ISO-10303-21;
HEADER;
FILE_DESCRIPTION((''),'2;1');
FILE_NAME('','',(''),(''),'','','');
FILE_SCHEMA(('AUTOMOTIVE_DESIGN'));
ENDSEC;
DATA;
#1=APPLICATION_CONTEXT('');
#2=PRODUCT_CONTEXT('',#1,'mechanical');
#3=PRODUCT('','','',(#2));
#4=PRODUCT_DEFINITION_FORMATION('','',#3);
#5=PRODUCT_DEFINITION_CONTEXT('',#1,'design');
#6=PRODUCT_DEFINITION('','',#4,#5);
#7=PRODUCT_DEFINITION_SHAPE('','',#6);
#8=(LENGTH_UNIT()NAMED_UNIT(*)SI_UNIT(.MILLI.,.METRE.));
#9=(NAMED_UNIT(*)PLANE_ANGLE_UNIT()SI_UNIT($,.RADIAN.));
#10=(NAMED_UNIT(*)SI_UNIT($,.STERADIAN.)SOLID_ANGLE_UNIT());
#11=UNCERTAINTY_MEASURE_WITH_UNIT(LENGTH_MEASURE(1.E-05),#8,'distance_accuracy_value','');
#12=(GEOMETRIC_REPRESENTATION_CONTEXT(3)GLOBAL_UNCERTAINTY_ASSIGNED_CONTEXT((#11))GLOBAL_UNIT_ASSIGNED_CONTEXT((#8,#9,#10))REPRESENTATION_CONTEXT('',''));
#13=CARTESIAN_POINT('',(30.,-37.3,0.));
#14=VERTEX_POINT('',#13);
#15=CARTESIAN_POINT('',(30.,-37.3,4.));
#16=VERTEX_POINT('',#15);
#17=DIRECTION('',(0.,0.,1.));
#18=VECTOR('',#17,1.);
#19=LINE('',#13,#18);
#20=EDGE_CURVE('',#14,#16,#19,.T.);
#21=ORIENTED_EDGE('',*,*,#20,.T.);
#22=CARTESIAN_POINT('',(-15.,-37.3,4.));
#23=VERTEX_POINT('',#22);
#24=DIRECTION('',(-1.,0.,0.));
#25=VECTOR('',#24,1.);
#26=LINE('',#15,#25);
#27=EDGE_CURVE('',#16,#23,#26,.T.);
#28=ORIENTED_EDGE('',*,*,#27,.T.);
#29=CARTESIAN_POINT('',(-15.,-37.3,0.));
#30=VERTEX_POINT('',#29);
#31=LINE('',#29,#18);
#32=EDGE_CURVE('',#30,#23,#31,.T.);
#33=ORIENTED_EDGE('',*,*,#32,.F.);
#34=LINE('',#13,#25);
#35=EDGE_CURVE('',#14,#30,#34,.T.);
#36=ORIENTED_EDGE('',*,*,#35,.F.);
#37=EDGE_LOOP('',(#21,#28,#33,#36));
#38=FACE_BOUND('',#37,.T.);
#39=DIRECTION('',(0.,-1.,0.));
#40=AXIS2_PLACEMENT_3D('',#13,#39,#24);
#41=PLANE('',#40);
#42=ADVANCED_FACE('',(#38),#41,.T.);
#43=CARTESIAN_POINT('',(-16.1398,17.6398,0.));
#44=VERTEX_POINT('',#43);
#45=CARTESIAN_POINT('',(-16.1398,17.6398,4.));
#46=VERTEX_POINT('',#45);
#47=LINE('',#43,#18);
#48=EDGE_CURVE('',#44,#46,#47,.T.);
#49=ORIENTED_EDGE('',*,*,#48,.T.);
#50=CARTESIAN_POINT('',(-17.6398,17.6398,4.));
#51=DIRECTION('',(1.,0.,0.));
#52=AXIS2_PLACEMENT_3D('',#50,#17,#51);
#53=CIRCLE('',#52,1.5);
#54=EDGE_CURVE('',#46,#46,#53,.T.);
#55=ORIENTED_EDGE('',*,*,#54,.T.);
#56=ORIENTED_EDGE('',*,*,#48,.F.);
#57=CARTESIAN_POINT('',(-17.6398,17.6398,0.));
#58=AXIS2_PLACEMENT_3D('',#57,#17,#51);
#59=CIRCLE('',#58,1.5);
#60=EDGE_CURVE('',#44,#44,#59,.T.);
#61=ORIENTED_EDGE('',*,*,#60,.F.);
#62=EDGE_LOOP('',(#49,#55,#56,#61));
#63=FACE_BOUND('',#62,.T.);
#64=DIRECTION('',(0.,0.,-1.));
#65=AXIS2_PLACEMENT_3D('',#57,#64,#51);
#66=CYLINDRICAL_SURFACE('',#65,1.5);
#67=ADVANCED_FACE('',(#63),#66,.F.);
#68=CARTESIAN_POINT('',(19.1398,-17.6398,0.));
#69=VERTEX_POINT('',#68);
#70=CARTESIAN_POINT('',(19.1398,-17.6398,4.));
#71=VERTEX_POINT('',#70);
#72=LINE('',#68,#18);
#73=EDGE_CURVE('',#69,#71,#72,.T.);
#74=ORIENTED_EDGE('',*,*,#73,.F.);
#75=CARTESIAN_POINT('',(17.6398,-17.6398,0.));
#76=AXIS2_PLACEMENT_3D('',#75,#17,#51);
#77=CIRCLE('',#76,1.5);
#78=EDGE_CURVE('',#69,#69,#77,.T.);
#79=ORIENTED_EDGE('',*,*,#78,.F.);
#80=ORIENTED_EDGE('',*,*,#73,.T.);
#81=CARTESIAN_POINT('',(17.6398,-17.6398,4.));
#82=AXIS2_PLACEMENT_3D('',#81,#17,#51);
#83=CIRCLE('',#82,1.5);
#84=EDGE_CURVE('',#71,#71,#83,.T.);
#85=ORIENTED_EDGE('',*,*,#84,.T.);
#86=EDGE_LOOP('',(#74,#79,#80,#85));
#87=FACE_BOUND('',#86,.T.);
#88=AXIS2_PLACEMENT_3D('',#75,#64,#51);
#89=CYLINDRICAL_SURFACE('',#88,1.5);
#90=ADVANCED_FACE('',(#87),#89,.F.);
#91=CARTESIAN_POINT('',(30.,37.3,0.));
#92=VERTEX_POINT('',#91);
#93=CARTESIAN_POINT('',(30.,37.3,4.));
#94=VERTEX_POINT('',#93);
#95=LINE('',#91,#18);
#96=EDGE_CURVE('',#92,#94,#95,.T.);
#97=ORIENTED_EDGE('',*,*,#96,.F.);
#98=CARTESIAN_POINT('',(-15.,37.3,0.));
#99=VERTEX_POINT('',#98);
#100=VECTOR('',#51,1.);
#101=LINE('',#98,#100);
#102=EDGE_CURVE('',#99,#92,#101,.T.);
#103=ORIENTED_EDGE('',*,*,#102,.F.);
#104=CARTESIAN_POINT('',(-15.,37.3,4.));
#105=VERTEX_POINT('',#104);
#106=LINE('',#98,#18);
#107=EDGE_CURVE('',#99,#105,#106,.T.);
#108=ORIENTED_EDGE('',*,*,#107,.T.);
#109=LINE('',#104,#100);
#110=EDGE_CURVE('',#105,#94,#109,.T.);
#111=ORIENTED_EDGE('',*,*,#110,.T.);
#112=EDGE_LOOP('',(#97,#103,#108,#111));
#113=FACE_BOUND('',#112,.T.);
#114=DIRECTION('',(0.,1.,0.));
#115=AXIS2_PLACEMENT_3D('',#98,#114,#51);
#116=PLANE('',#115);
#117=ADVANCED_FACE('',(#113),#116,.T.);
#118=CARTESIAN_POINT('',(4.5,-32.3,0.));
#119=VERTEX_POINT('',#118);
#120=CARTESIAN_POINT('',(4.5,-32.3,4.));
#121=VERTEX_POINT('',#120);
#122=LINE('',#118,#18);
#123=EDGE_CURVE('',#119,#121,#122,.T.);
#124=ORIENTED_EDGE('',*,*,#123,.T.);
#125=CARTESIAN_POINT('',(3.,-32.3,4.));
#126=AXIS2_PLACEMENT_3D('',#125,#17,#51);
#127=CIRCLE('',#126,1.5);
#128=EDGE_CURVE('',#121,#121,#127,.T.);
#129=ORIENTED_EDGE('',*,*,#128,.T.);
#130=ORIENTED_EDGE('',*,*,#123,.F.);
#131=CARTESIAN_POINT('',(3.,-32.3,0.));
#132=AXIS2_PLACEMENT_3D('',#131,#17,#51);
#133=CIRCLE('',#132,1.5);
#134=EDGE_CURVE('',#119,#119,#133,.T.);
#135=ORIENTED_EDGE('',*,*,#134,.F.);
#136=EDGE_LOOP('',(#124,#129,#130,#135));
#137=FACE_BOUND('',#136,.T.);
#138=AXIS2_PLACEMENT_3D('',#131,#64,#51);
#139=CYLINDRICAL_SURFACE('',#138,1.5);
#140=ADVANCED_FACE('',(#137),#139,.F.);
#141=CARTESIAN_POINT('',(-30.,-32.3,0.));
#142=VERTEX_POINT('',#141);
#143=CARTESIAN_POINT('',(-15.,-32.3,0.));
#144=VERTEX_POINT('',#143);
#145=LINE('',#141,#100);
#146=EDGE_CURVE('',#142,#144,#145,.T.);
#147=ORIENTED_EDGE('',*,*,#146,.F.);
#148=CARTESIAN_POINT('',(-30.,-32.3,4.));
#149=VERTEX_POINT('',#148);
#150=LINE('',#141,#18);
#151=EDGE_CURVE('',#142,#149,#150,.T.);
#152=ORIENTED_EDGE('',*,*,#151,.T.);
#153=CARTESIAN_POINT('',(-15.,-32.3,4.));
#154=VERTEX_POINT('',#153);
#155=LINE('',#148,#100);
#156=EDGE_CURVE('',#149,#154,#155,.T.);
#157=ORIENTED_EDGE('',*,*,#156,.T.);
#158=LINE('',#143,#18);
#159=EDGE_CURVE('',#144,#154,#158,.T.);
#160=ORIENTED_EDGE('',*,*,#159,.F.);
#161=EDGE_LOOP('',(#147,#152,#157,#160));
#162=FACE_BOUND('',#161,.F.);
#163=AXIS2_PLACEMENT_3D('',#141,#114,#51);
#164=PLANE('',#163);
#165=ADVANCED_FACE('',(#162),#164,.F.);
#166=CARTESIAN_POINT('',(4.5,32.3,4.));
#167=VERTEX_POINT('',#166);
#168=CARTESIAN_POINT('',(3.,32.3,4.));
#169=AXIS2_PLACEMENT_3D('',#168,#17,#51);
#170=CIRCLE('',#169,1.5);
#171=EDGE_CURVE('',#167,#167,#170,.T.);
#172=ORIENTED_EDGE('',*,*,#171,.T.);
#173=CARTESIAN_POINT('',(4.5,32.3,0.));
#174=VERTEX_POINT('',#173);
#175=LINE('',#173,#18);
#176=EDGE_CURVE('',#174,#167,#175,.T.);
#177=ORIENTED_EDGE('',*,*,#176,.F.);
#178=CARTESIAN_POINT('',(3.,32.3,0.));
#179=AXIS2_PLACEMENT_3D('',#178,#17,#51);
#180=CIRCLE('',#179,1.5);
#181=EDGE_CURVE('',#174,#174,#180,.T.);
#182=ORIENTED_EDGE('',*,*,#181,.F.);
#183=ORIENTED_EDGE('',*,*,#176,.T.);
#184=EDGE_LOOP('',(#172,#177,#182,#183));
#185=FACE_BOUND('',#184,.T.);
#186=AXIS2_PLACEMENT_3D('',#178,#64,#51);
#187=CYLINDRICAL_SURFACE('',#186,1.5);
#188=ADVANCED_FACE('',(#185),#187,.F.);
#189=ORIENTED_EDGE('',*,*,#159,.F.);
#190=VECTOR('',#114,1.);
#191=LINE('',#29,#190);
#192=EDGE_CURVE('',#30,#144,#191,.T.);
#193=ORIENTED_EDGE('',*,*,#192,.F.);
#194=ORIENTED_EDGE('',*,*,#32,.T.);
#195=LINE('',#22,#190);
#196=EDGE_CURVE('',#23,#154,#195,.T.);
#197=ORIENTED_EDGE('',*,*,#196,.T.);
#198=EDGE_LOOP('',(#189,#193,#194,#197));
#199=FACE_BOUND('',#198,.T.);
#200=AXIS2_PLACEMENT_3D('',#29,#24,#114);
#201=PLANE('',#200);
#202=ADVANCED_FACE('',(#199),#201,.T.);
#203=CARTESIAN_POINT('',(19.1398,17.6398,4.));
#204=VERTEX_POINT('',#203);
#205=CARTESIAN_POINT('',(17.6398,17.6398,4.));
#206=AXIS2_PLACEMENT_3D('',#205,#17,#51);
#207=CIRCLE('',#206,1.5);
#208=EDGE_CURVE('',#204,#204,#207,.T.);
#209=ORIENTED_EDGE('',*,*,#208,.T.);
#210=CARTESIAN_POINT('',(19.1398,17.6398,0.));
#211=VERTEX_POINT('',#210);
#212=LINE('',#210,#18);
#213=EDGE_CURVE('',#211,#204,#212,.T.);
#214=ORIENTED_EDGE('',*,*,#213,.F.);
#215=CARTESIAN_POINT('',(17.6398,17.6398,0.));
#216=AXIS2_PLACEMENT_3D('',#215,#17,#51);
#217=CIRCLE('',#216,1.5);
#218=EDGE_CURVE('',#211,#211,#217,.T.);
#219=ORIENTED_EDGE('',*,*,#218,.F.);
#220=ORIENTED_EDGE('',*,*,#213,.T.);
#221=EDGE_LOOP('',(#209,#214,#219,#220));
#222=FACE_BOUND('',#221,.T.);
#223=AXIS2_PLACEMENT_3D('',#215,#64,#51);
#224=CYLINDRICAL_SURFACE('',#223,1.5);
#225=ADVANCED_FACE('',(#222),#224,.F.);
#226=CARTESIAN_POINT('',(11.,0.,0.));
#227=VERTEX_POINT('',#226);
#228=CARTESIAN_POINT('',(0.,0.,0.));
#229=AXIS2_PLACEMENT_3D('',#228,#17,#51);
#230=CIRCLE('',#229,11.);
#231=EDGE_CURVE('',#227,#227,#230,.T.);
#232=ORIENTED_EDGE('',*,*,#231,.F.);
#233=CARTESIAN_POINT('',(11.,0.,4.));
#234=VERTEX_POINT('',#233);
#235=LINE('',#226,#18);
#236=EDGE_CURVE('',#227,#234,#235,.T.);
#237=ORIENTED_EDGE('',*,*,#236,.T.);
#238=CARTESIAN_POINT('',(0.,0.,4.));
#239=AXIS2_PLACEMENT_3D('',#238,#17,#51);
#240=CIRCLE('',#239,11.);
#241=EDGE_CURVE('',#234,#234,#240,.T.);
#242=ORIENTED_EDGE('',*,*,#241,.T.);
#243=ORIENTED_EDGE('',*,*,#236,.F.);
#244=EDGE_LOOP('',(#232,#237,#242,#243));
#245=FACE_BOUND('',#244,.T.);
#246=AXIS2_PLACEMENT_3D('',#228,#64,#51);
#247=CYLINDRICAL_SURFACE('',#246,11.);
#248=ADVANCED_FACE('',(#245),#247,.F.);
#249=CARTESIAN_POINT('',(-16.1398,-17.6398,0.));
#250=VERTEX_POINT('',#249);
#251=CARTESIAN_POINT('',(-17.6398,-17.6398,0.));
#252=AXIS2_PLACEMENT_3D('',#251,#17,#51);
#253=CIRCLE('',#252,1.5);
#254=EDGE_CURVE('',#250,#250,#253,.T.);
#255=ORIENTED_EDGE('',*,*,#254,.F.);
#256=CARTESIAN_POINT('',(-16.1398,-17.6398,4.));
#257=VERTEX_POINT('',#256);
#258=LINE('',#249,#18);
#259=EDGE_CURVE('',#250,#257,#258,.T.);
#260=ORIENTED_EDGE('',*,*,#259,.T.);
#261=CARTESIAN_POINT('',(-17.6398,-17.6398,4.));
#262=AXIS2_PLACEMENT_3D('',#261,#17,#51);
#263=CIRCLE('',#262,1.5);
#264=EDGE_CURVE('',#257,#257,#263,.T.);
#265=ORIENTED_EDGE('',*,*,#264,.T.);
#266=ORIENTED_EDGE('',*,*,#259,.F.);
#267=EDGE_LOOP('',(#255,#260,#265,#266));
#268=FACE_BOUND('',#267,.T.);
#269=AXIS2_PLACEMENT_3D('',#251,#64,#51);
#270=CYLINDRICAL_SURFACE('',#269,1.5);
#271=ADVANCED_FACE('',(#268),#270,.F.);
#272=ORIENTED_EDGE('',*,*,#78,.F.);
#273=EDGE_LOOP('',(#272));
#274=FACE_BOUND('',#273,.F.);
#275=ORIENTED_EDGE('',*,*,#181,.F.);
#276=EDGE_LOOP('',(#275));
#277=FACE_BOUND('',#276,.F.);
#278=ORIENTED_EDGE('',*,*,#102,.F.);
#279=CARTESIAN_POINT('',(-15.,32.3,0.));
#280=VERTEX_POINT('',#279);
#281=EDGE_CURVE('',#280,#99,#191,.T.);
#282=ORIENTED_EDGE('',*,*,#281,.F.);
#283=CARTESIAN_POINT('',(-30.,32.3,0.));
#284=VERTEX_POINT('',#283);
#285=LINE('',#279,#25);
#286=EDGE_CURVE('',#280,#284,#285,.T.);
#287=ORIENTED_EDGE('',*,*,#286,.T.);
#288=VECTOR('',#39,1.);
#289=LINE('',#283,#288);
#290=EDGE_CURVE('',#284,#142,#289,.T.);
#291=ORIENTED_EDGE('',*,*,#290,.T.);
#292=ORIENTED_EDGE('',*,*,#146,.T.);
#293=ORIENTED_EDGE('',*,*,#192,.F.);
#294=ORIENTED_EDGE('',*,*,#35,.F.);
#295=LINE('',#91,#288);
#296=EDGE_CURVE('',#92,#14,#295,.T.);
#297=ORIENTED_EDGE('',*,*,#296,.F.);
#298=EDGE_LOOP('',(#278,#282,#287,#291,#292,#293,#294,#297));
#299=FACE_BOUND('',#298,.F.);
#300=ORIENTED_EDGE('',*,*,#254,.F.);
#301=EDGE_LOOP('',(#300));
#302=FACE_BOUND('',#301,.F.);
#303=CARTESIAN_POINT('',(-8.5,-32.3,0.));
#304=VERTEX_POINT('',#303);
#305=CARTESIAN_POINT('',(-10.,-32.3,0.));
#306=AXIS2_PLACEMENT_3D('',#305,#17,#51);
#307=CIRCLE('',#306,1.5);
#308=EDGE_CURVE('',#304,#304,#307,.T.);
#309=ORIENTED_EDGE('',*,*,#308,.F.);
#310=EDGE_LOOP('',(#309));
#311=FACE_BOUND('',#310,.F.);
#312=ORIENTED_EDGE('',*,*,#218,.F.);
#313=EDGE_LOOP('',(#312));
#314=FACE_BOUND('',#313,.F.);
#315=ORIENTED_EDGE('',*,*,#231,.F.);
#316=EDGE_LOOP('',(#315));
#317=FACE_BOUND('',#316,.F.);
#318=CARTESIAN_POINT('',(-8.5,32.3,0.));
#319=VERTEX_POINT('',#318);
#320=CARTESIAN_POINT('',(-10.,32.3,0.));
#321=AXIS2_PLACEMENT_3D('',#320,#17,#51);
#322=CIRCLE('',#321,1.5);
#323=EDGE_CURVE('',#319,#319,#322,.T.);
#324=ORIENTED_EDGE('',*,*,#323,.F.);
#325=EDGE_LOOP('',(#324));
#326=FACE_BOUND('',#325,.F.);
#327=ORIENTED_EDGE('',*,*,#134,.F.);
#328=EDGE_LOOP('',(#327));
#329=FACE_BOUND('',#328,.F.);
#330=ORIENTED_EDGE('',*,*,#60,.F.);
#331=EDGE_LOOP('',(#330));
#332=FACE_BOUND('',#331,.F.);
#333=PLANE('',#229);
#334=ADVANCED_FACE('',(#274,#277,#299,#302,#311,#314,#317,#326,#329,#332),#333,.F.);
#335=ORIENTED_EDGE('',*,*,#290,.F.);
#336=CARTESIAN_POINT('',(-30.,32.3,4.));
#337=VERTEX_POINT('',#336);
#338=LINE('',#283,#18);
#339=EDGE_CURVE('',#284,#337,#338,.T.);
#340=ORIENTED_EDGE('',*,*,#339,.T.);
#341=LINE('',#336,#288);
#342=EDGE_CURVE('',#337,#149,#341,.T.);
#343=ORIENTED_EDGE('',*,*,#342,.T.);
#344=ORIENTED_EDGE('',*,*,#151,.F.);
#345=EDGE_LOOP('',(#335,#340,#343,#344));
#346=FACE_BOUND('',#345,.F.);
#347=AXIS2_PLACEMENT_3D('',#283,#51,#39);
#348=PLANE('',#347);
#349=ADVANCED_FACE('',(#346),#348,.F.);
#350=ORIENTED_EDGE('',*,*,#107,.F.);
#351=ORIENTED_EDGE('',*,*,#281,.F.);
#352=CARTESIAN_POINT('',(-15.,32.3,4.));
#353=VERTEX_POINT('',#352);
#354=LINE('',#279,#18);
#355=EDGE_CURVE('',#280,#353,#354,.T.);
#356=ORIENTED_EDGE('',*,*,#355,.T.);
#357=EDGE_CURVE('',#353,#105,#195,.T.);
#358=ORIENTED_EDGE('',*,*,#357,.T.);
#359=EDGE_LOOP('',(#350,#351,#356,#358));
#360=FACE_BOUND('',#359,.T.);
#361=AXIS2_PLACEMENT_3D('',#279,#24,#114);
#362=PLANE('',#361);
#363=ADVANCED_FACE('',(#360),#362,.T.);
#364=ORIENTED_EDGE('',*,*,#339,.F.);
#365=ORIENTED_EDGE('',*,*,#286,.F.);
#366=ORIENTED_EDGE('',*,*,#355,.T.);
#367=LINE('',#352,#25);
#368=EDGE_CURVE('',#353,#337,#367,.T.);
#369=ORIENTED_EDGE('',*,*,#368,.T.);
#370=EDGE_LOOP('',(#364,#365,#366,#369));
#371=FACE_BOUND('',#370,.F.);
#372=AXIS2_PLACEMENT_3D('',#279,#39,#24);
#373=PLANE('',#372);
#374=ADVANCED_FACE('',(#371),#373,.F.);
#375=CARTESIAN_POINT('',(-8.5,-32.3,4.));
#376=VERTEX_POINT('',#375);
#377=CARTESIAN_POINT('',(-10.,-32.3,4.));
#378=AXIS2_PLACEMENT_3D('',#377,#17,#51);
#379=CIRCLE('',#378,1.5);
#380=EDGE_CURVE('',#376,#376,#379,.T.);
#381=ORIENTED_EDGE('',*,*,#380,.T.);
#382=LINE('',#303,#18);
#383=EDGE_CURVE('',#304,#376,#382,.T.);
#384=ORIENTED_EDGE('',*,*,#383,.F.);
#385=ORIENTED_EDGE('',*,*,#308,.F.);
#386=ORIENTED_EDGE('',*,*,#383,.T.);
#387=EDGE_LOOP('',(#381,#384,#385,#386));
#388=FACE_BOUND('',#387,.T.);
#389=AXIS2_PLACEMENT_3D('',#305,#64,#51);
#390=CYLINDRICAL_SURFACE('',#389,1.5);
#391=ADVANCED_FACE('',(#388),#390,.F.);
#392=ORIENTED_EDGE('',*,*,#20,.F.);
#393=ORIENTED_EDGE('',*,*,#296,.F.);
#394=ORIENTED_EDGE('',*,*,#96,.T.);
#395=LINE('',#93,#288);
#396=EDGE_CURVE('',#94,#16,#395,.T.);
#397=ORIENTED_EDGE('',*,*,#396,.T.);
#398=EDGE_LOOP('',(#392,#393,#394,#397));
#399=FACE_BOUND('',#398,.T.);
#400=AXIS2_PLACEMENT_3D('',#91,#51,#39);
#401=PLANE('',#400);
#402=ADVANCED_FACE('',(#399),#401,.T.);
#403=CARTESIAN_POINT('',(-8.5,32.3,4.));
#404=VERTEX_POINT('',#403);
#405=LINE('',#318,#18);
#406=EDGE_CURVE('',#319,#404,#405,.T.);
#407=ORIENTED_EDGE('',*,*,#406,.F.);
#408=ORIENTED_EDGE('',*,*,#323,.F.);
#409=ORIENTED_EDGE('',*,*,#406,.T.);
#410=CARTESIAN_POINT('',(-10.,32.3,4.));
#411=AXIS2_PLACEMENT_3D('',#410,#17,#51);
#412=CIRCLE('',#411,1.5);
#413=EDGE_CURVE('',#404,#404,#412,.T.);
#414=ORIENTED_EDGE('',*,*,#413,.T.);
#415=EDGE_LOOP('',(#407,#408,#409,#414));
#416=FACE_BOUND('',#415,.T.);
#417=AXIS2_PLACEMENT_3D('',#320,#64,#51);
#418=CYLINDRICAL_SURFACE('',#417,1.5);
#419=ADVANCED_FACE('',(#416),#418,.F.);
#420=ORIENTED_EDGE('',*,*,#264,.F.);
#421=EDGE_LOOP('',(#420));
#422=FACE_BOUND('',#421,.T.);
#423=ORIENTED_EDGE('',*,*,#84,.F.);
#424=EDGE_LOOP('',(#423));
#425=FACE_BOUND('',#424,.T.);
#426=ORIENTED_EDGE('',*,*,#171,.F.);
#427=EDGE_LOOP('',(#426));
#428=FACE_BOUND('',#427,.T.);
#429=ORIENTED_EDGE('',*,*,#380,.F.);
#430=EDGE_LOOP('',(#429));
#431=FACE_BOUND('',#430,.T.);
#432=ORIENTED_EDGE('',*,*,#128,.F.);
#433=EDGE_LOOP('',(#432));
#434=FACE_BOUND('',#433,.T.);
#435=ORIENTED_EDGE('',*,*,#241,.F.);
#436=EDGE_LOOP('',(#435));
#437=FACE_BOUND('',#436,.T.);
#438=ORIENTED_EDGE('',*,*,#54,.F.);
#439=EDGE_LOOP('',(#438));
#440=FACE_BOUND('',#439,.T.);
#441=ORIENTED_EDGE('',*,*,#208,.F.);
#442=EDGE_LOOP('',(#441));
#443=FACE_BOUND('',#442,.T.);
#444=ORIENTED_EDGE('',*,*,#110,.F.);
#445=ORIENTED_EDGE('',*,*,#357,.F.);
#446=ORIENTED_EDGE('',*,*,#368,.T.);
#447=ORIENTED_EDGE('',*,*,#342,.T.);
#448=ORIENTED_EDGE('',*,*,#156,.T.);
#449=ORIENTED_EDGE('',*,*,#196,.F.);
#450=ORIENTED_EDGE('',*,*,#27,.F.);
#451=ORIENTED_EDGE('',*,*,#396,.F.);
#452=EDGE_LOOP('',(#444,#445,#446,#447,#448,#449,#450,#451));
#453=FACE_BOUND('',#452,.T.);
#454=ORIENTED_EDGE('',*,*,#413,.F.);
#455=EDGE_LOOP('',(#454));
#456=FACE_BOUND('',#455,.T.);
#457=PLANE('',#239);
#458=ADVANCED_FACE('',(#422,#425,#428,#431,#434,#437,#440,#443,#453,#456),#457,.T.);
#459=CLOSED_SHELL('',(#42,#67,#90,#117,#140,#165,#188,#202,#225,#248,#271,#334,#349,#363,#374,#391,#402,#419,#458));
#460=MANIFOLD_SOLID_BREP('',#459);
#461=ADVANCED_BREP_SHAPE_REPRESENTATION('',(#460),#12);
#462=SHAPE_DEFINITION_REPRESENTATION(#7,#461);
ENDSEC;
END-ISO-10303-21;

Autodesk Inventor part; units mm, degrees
ref_plane "YZ Plane" through (0, 0, 0) normal (1, 0, 0) x (0, 1, 0)
ref_plane "XZ Plane" through (0, 0, 0) normal (0, 1, 0) x (-1, 0, 0)
ref_plane "XY Plane" through (0, 0, 0) normal (0, 0, 1) x (1, 0, 0)
sketch "Sketch1" plane through (0, 0, 0) normal (0, 0, 1) x (1, 0, 0)
  circle A0 centre (0, 0) radius 11
  line L0 (-15, 37.3) -> (30, 37.3)
  line L1 (30, 37.3) -> (30, -37.3)
  line L2 (30, -37.3) -> (-15, -37.3)
  line L3 (-15, -37.3) -> (-15, 37.3)
  line L4 (-15, 32.3) -> (-30, 32.3)
  line L5 (-30, 32.3) -> (-30, -32.3)
  line L6 (-30, -32.3) -> (-15, -32.3)
  line L7 (-15, -32.3) -> (-15, 32.3)
  circle A1 centre (-10, 32.3) radius 1.5
  circle A2 centre (3, 32.3) radius 1.5
  circle A3 centre (-10, -32.3) radius 1.5
  circle A4 centre (3, -32.3) radius 1.5
  circle A5 centre (-17.6398, 17.6398) radius 1.5
  line L8 (0, 0) -> (-17.6398, 17.6398) construction
  line L9 (0, 0) -> (-30, 0) construction
  circle A6 centre (-17.6398, -17.6398) radius 1.5
  circle A7 centre (17.6398, -17.6398) radius 1.5
  circle A8 centre (17.6398, 17.6398) radius 1.5
  point P0 (-15, -32.3)
  dimension "d0" = 22
  dimension "d1" = 3
  dimension "d2" = 3
  dimension "d3" = 3
  dimension "d4" = 3
  dimension "d5" = 5
  dimension "d6" = 5
  dimension "d7" = 5
  dimension "d8" = 13
  dimension "d9" = 13
  dimension "d10" = 5
  dimension "d11" = 5
  dimension "d12" = 5
  dimension "d13" = 74.6
  dimension "d14" = 37.3
  dimension "d15" = 60
  dimension "d16" = 15
  dimension "d17" = 5
  dimension "d18" = 5
  dimension "d19" = 30
  dimension "d20" = 3
  dimension "d22" = 45
  dimension "d25" = 360
extrude "Extrusion1" add sketch "Sketch1" along normal blind 4
equation "\"d7\" = d6"
equation "\"d9\" = d8"
equation "\"d11\" = d10"
equation "\"d12\" = d10"
equation "\"d14\" = 0.5 * d13"
equation "\"d18\" = d17"
equation "\"d19\" = 0.5 * d15"
properties part number "MotorHolder"
